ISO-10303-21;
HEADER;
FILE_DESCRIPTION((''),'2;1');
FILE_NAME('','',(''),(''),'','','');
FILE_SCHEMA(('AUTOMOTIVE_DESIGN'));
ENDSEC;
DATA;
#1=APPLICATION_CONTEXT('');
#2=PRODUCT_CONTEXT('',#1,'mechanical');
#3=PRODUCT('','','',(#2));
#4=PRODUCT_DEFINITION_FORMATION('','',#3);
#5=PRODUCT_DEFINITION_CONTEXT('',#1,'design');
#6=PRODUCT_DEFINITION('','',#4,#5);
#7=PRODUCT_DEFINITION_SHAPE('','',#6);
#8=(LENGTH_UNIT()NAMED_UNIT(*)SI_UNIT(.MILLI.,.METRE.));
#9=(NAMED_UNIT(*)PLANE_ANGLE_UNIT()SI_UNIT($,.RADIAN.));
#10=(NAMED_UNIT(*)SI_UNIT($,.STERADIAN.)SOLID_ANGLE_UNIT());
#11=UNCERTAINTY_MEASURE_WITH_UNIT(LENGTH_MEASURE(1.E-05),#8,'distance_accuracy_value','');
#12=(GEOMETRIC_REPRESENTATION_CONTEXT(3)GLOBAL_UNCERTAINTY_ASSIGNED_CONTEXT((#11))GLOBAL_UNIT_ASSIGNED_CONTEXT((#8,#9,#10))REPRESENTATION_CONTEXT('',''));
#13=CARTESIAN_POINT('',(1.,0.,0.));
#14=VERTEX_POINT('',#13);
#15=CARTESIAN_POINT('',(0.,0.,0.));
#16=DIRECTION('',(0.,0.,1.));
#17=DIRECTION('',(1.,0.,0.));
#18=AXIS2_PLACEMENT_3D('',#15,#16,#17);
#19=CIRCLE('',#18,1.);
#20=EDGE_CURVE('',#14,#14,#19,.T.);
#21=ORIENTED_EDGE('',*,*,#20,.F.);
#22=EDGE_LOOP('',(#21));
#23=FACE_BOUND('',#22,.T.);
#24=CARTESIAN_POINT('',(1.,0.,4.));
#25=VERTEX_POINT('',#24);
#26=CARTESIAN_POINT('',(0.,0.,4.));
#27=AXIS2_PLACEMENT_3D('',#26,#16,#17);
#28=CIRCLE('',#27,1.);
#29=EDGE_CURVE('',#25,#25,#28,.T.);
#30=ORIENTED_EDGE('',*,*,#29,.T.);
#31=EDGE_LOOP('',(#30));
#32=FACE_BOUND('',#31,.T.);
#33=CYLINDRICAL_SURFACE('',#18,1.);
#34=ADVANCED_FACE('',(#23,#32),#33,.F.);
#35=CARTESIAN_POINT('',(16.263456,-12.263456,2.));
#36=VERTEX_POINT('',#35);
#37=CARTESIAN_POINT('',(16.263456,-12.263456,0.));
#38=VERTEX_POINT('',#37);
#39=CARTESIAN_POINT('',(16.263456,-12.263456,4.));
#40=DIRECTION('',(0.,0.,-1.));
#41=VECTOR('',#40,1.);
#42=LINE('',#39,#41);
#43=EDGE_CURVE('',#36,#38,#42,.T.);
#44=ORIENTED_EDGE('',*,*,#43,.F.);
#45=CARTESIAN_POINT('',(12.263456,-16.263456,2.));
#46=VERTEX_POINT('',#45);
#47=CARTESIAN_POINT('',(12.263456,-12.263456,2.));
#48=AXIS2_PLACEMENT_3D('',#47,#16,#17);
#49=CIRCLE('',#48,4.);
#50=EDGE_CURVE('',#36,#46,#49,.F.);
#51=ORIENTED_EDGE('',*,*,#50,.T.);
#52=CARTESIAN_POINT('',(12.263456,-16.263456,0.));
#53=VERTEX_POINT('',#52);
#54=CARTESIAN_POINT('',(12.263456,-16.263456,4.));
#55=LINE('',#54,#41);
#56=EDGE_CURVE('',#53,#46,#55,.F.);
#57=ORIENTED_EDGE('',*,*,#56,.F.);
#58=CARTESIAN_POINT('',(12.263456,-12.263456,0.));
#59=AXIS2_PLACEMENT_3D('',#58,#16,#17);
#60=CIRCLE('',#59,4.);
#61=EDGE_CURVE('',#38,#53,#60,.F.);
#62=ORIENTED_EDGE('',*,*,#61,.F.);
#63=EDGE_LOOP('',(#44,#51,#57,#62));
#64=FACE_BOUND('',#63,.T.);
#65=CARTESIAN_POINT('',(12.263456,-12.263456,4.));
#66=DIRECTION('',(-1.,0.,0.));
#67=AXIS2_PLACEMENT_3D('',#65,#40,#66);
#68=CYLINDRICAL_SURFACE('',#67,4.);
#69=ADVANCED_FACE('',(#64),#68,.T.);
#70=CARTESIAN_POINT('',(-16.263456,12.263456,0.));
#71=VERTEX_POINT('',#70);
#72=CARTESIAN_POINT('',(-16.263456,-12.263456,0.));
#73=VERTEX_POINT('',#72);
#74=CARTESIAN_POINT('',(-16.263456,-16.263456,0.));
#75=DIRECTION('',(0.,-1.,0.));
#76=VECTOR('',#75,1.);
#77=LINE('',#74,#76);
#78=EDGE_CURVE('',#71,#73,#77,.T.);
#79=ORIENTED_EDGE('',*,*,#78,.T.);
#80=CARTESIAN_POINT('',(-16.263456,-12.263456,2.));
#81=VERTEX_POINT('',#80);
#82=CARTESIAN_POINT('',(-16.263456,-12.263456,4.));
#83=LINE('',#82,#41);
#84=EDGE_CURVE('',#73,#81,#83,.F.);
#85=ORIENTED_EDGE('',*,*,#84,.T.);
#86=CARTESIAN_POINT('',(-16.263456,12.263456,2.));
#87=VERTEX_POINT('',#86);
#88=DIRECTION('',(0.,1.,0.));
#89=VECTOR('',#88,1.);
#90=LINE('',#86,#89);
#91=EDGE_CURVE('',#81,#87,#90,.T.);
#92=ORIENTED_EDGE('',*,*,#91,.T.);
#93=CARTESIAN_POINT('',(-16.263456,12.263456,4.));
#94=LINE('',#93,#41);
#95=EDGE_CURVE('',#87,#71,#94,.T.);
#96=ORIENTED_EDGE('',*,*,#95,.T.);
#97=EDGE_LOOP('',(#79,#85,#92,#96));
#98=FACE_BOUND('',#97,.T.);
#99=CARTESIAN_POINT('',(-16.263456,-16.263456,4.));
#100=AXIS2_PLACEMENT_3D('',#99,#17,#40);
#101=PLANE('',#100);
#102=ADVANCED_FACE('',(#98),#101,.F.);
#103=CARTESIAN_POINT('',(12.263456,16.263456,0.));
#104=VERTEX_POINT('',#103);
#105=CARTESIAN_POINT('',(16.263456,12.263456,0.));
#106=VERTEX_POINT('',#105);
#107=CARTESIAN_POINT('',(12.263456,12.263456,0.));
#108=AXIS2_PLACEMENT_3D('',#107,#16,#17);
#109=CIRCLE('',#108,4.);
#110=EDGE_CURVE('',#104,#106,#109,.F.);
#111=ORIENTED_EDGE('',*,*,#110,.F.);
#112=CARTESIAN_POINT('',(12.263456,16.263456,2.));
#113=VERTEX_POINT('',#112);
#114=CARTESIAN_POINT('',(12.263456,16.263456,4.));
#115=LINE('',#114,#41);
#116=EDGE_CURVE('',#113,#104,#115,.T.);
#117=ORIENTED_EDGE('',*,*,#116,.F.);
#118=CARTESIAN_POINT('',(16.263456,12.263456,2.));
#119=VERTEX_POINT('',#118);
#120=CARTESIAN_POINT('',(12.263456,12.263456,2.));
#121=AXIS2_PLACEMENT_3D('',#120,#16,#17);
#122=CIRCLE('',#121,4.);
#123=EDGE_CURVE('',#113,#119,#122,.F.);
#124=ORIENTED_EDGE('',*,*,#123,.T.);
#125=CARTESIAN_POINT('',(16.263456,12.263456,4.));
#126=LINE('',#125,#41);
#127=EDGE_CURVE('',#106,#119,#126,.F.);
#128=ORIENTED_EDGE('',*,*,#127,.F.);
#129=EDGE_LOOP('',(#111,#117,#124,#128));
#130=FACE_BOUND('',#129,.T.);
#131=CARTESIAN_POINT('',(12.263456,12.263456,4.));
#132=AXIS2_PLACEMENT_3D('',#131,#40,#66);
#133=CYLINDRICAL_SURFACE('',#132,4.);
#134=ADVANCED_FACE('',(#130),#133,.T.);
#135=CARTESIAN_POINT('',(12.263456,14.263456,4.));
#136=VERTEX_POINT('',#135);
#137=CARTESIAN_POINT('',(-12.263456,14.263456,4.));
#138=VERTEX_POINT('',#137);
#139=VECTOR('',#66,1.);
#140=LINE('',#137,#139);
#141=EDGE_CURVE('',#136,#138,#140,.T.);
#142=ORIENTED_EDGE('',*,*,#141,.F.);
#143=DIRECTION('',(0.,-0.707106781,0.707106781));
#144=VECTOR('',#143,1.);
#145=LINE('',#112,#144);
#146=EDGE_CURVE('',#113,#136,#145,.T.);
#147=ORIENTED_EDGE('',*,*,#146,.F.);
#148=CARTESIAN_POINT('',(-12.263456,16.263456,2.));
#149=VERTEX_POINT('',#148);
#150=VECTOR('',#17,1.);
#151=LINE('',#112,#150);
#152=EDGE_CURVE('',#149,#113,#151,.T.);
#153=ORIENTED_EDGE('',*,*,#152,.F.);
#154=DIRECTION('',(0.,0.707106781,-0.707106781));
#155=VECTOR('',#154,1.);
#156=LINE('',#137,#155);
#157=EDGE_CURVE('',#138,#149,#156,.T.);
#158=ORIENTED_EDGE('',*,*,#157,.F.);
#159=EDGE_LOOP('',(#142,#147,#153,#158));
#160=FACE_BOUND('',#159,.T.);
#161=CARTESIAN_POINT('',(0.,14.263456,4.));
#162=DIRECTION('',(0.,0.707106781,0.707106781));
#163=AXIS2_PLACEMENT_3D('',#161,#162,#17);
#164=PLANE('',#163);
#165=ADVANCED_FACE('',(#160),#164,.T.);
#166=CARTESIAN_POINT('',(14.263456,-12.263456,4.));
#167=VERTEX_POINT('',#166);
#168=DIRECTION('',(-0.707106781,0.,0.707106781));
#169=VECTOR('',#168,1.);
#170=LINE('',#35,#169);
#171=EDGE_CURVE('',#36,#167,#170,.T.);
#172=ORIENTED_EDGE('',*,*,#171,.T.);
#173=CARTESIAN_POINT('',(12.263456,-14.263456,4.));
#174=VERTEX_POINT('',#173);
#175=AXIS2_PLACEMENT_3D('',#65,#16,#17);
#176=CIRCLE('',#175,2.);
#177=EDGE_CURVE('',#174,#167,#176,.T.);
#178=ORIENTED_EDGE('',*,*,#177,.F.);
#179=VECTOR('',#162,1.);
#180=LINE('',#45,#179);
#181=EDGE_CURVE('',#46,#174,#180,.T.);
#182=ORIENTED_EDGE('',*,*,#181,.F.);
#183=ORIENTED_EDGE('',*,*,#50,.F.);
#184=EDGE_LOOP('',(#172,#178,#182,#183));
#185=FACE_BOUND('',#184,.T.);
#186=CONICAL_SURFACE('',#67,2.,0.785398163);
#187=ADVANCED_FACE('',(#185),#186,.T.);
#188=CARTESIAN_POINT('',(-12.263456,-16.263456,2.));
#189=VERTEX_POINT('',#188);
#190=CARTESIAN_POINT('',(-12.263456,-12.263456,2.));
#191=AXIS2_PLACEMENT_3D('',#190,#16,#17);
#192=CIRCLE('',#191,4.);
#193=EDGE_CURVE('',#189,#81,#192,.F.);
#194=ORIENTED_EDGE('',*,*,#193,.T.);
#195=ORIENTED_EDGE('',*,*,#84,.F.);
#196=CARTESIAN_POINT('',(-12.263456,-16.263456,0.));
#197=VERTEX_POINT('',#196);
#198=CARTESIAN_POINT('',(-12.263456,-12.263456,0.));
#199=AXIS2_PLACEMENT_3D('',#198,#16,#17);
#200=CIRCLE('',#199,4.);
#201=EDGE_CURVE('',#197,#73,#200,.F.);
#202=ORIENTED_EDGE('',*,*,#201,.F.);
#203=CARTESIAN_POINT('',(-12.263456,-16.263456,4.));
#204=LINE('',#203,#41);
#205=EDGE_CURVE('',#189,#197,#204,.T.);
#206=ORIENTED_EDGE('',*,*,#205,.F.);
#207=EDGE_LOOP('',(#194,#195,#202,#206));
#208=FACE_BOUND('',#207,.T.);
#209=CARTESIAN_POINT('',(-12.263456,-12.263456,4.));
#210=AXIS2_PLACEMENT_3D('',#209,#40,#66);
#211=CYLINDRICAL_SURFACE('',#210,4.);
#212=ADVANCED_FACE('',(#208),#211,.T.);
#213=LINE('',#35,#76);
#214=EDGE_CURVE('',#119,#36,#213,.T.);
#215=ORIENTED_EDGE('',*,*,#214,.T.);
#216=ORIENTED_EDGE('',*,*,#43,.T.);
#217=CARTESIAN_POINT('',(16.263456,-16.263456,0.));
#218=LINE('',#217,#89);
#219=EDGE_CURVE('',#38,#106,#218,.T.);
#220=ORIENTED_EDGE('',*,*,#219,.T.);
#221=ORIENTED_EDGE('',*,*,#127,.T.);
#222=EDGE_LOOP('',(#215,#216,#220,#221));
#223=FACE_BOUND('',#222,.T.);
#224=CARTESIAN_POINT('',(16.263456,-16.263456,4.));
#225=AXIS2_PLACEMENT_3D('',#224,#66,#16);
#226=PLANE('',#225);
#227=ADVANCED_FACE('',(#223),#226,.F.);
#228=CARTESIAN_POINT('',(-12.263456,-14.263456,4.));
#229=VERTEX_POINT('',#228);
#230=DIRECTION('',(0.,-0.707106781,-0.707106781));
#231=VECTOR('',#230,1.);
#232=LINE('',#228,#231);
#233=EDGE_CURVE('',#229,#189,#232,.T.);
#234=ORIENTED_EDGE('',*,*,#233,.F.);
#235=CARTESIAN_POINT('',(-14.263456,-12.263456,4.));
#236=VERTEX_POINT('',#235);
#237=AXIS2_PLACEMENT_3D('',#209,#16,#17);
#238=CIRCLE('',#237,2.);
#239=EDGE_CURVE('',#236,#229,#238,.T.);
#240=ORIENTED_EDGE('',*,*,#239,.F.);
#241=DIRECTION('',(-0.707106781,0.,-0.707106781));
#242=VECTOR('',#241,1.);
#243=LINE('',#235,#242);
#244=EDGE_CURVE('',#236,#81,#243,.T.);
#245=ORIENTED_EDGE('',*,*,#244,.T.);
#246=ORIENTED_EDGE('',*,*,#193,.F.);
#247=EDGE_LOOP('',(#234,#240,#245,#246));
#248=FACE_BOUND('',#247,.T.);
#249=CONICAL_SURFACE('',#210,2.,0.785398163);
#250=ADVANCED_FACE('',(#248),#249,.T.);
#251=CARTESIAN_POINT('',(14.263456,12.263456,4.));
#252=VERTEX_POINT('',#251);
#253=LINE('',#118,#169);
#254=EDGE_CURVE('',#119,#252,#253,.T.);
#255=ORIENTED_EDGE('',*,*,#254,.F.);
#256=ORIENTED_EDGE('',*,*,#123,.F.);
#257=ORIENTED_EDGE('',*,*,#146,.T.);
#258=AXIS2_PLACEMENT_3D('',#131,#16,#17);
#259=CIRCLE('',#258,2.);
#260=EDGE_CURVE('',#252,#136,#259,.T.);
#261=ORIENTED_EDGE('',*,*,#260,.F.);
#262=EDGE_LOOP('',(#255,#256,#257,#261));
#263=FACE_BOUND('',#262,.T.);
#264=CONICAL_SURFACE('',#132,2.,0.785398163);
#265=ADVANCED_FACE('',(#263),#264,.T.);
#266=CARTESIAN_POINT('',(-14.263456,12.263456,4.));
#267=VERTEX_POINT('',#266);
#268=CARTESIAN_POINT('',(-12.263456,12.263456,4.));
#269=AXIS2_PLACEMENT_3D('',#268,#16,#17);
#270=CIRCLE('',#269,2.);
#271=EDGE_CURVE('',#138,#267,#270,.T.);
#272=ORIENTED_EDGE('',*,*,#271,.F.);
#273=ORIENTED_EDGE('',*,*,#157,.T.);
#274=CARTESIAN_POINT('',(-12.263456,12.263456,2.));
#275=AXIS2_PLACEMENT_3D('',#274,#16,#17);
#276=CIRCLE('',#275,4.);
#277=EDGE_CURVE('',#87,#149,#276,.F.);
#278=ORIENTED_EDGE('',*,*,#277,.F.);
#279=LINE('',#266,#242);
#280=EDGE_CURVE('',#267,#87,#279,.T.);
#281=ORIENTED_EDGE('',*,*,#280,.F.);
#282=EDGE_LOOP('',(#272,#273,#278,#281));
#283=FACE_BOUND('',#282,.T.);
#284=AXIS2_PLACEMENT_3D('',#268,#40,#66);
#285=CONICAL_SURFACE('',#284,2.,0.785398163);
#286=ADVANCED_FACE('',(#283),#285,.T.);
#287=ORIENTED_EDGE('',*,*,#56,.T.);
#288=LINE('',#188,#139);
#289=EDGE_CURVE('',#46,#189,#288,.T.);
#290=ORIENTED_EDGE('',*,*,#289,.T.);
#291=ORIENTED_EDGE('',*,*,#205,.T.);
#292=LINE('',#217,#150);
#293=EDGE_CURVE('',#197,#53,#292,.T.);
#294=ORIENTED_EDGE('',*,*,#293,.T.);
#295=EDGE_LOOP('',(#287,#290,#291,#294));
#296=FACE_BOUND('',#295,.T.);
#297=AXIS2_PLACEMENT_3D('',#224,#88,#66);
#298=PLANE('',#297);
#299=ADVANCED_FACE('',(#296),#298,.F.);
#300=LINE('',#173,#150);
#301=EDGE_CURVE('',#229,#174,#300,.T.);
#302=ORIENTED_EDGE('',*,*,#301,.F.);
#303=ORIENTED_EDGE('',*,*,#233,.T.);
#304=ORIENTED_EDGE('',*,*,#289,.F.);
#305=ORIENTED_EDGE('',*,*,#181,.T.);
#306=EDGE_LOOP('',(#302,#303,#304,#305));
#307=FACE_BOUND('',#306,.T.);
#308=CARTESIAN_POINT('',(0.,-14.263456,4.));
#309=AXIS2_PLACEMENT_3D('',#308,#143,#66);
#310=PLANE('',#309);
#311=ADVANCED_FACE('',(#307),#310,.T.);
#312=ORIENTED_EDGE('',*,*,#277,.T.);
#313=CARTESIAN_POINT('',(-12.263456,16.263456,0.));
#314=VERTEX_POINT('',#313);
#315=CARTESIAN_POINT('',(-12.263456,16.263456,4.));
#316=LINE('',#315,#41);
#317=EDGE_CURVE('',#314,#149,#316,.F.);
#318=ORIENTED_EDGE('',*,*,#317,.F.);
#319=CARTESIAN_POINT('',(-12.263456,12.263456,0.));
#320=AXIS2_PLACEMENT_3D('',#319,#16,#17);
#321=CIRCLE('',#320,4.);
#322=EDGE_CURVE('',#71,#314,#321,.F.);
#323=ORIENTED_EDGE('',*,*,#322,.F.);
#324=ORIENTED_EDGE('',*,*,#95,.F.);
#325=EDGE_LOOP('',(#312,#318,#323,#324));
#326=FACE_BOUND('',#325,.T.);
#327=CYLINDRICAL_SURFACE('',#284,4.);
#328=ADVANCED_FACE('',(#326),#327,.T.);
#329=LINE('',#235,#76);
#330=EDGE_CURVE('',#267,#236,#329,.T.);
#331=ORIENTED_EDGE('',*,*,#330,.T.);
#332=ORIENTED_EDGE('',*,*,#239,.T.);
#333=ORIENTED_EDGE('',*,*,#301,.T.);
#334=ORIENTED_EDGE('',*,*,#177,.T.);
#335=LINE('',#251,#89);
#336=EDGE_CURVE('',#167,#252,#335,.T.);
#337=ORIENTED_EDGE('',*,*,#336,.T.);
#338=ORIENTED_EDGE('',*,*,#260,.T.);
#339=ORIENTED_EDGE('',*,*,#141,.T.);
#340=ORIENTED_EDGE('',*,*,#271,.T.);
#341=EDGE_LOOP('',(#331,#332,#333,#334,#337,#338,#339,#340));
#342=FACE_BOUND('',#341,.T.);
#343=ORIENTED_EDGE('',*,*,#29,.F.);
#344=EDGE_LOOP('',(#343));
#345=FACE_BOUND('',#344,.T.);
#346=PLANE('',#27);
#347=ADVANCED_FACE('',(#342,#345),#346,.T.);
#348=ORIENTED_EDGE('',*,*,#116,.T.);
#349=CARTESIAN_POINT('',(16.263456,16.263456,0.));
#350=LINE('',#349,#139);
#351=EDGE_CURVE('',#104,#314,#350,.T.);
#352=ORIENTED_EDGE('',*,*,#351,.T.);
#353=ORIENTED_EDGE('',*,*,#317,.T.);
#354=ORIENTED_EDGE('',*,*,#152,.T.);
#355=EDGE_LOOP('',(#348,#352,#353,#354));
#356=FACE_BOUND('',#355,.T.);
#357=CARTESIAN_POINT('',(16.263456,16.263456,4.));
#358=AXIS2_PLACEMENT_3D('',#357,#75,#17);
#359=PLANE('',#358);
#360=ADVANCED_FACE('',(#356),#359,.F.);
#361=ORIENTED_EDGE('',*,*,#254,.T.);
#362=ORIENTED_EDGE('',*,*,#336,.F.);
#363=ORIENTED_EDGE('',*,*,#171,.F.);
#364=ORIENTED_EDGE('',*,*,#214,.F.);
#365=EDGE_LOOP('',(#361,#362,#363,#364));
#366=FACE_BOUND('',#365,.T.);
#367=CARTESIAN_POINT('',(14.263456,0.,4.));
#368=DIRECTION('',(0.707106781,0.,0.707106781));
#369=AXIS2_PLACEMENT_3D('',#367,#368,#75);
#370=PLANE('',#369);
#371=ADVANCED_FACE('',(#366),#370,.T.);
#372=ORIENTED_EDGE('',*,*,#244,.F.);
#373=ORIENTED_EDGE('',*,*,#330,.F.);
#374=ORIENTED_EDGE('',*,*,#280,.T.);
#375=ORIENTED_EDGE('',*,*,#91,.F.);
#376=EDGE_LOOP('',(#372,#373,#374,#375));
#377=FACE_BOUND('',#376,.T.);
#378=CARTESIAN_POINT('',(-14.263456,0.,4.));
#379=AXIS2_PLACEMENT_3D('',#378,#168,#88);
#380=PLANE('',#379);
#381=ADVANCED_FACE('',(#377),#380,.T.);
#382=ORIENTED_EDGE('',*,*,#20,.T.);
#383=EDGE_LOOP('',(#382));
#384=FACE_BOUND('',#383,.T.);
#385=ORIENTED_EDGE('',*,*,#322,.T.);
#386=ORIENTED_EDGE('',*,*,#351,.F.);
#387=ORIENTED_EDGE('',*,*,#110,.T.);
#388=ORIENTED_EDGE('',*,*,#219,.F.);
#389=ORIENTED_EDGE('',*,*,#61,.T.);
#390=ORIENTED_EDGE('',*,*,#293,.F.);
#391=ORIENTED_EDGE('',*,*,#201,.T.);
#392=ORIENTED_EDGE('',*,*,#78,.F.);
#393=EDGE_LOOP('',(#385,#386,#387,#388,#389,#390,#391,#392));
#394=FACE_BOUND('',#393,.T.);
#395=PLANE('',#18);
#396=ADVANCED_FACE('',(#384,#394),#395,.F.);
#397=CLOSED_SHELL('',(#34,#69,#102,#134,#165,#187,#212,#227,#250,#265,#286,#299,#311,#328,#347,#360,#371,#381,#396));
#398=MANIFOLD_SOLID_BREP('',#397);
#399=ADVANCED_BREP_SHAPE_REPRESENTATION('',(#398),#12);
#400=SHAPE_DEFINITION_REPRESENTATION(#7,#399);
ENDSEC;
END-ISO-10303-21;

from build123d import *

# Parameters (mm, degrees)
SKETCH1_W           = 32.526911934
SKETCH1_H           = 32.526911934
BOSS_EXTRUDE1_DEPTH = 4
FILLET1_R           = 4
CHAMFER1_SIZE       = 2
SKETCH2_R           = 1
CUT_EXTRUDE1_DEPTH  = 24.34523506


with BuildPart() as part:
    # Sketch1 → Boss-Extrude1 (new body)
    with BuildSketch(Plane.XY):
        Rectangle(SKETCH1_W, SKETCH1_H)
    extrude(amount=BOSS_EXTRUDE1_DEPTH)

    # Fillet1
    fillet1_edges = [part.edges().sort_by_distance(p)[0] for p in [
        (-16.263455967, 16.263455967, 2),
        (16.263455967, 16.263455967, 2),
        (16.263455967, -16.263455967, 2),
        (-16.263455967, -16.263455967, 2),
    ]]
    fillet(fillet1_edges, radius=FILLET1_R)

    # Chamfer1
    chamfer1_edges = [part.edges().sort_by_distance(p)[0] for p in [
        (0, -16.263455967, 4),
        (-16.263455967, 0, 4),
        (16.263455967, 0, 4),
        (0, 16.263455967, 4),
        (-15.091883092, 15.091883092, 4),
        (15.091883092, 15.091883092, 4),
        (15.091883092, -15.091883092, 4),
        (-15.091883092, -15.091883092, 4),
    ]]
    chamfer(chamfer1_edges, length=CHAMFER1_SIZE)

    # Sketch2 → Cut-Extrude1 (cut, through all)
    with BuildSketch(Plane.XY.offset(4)):
        Circle(SKETCH2_R)
    extrude(amount=-CUT_EXTRUDE1_DEPTH, mode=Mode.SUBTRACT)


solid = part.part
